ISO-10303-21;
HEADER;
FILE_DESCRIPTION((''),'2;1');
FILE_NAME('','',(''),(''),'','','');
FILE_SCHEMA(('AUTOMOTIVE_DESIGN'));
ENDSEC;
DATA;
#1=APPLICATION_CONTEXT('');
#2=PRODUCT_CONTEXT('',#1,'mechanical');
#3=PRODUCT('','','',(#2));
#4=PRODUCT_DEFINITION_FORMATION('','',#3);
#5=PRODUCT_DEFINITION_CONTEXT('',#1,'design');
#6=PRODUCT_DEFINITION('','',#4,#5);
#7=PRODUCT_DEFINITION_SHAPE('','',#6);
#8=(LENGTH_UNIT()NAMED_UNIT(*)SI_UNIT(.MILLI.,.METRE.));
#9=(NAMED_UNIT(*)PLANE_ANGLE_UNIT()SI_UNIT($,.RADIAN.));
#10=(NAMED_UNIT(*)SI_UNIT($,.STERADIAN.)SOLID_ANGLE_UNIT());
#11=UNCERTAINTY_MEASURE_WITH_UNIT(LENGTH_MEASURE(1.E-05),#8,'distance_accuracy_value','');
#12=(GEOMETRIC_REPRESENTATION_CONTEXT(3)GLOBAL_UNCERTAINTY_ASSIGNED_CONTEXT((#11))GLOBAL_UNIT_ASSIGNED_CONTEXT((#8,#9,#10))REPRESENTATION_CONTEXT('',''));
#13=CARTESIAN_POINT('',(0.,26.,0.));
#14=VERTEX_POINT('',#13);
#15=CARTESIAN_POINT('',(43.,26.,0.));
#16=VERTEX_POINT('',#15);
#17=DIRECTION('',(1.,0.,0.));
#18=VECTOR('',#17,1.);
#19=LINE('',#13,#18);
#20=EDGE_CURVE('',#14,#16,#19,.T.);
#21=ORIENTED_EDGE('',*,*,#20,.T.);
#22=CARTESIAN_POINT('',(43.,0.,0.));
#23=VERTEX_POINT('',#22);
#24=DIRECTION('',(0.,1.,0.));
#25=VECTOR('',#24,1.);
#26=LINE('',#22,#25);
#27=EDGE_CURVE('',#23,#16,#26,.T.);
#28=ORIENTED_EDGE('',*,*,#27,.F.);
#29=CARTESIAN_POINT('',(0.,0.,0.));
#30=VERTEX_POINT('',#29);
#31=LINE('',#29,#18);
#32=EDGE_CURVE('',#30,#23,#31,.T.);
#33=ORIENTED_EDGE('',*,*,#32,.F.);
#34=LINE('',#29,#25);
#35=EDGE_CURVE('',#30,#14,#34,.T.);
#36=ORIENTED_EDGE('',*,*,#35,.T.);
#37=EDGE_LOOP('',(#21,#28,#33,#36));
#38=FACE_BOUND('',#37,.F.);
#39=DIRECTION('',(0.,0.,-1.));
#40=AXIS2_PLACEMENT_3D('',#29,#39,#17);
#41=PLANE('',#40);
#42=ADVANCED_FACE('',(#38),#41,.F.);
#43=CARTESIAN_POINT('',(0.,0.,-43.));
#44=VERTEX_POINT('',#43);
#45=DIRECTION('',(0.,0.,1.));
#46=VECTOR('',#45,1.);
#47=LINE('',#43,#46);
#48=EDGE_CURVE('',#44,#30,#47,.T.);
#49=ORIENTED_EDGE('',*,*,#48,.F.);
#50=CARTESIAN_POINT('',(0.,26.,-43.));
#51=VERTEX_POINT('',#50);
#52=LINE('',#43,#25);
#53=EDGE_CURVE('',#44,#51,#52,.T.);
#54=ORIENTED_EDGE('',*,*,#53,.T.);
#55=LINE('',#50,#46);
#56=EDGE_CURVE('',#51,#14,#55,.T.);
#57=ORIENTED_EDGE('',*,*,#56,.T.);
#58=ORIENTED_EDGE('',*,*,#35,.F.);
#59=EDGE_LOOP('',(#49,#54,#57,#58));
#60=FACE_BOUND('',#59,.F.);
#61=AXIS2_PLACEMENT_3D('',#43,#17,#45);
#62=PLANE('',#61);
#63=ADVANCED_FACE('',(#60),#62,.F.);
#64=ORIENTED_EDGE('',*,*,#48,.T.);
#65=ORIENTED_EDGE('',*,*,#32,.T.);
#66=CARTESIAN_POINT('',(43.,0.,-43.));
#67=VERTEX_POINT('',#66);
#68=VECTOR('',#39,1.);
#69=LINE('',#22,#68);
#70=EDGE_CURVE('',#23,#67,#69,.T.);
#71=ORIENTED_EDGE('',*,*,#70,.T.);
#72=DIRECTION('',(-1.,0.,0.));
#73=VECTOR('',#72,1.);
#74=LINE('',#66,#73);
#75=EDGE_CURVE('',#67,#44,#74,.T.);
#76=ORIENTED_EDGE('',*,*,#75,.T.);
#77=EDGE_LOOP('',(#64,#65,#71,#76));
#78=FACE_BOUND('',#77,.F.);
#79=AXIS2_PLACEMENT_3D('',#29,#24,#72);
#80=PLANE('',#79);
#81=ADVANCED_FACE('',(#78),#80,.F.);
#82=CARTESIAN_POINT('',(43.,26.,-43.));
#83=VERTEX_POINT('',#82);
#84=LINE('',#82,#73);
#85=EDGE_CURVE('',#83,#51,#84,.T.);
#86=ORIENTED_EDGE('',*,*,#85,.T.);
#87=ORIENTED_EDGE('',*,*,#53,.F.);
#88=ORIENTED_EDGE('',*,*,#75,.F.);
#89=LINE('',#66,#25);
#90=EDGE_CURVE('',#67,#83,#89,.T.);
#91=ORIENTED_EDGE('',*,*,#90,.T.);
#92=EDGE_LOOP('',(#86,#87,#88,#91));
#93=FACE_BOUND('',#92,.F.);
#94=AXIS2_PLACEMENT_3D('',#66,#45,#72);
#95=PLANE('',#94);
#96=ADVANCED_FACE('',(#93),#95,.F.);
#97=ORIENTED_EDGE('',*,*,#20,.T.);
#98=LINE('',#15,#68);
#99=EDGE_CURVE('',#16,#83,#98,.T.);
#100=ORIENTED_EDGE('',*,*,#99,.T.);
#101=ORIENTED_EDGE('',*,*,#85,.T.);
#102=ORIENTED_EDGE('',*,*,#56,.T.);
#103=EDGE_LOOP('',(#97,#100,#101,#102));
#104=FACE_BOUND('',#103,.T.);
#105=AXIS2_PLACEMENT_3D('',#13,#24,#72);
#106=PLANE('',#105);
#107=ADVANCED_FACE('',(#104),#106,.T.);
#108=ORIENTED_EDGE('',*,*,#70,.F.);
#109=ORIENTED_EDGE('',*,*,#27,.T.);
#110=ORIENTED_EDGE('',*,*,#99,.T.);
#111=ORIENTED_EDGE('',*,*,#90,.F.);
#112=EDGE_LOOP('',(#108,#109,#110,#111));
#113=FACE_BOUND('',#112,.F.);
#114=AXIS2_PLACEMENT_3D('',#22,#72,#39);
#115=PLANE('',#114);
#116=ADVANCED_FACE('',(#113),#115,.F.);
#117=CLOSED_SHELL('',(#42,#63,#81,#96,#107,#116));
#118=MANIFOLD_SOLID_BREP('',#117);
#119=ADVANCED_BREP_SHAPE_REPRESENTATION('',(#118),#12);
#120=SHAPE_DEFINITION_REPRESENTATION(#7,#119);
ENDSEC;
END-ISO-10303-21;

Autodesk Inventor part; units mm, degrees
ref_plane "YZ Plane" through (0, 0, 0) normal (1, 0, 0) x (0, 1, 0)
ref_plane "XZ Plane" through (0, 0, 0) normal (0, 1, 0) x (-1, 0, 0)
ref_plane "XY Plane" through (0, 0, 0) normal (0, 0, 1) x (1, 0, 0)
sketch "Sketch1" plane through (0, 0, 0) normal (0, 1, 0) x (-1, 0, 0)
  line L0 (0, 0) -> (-43, 0)
  line L1 (-43, 0) -> (-43, -43)
  line L2 (-43, -43) -> (0, -43)
  line L3 (0, -43) -> (0, 0)
  dimension "d0" = 43
  dimension "d1" = 43
extrude "Extrusion1" add sketch "Sketch1" along normal blind 26
properties part number "Puente H"
